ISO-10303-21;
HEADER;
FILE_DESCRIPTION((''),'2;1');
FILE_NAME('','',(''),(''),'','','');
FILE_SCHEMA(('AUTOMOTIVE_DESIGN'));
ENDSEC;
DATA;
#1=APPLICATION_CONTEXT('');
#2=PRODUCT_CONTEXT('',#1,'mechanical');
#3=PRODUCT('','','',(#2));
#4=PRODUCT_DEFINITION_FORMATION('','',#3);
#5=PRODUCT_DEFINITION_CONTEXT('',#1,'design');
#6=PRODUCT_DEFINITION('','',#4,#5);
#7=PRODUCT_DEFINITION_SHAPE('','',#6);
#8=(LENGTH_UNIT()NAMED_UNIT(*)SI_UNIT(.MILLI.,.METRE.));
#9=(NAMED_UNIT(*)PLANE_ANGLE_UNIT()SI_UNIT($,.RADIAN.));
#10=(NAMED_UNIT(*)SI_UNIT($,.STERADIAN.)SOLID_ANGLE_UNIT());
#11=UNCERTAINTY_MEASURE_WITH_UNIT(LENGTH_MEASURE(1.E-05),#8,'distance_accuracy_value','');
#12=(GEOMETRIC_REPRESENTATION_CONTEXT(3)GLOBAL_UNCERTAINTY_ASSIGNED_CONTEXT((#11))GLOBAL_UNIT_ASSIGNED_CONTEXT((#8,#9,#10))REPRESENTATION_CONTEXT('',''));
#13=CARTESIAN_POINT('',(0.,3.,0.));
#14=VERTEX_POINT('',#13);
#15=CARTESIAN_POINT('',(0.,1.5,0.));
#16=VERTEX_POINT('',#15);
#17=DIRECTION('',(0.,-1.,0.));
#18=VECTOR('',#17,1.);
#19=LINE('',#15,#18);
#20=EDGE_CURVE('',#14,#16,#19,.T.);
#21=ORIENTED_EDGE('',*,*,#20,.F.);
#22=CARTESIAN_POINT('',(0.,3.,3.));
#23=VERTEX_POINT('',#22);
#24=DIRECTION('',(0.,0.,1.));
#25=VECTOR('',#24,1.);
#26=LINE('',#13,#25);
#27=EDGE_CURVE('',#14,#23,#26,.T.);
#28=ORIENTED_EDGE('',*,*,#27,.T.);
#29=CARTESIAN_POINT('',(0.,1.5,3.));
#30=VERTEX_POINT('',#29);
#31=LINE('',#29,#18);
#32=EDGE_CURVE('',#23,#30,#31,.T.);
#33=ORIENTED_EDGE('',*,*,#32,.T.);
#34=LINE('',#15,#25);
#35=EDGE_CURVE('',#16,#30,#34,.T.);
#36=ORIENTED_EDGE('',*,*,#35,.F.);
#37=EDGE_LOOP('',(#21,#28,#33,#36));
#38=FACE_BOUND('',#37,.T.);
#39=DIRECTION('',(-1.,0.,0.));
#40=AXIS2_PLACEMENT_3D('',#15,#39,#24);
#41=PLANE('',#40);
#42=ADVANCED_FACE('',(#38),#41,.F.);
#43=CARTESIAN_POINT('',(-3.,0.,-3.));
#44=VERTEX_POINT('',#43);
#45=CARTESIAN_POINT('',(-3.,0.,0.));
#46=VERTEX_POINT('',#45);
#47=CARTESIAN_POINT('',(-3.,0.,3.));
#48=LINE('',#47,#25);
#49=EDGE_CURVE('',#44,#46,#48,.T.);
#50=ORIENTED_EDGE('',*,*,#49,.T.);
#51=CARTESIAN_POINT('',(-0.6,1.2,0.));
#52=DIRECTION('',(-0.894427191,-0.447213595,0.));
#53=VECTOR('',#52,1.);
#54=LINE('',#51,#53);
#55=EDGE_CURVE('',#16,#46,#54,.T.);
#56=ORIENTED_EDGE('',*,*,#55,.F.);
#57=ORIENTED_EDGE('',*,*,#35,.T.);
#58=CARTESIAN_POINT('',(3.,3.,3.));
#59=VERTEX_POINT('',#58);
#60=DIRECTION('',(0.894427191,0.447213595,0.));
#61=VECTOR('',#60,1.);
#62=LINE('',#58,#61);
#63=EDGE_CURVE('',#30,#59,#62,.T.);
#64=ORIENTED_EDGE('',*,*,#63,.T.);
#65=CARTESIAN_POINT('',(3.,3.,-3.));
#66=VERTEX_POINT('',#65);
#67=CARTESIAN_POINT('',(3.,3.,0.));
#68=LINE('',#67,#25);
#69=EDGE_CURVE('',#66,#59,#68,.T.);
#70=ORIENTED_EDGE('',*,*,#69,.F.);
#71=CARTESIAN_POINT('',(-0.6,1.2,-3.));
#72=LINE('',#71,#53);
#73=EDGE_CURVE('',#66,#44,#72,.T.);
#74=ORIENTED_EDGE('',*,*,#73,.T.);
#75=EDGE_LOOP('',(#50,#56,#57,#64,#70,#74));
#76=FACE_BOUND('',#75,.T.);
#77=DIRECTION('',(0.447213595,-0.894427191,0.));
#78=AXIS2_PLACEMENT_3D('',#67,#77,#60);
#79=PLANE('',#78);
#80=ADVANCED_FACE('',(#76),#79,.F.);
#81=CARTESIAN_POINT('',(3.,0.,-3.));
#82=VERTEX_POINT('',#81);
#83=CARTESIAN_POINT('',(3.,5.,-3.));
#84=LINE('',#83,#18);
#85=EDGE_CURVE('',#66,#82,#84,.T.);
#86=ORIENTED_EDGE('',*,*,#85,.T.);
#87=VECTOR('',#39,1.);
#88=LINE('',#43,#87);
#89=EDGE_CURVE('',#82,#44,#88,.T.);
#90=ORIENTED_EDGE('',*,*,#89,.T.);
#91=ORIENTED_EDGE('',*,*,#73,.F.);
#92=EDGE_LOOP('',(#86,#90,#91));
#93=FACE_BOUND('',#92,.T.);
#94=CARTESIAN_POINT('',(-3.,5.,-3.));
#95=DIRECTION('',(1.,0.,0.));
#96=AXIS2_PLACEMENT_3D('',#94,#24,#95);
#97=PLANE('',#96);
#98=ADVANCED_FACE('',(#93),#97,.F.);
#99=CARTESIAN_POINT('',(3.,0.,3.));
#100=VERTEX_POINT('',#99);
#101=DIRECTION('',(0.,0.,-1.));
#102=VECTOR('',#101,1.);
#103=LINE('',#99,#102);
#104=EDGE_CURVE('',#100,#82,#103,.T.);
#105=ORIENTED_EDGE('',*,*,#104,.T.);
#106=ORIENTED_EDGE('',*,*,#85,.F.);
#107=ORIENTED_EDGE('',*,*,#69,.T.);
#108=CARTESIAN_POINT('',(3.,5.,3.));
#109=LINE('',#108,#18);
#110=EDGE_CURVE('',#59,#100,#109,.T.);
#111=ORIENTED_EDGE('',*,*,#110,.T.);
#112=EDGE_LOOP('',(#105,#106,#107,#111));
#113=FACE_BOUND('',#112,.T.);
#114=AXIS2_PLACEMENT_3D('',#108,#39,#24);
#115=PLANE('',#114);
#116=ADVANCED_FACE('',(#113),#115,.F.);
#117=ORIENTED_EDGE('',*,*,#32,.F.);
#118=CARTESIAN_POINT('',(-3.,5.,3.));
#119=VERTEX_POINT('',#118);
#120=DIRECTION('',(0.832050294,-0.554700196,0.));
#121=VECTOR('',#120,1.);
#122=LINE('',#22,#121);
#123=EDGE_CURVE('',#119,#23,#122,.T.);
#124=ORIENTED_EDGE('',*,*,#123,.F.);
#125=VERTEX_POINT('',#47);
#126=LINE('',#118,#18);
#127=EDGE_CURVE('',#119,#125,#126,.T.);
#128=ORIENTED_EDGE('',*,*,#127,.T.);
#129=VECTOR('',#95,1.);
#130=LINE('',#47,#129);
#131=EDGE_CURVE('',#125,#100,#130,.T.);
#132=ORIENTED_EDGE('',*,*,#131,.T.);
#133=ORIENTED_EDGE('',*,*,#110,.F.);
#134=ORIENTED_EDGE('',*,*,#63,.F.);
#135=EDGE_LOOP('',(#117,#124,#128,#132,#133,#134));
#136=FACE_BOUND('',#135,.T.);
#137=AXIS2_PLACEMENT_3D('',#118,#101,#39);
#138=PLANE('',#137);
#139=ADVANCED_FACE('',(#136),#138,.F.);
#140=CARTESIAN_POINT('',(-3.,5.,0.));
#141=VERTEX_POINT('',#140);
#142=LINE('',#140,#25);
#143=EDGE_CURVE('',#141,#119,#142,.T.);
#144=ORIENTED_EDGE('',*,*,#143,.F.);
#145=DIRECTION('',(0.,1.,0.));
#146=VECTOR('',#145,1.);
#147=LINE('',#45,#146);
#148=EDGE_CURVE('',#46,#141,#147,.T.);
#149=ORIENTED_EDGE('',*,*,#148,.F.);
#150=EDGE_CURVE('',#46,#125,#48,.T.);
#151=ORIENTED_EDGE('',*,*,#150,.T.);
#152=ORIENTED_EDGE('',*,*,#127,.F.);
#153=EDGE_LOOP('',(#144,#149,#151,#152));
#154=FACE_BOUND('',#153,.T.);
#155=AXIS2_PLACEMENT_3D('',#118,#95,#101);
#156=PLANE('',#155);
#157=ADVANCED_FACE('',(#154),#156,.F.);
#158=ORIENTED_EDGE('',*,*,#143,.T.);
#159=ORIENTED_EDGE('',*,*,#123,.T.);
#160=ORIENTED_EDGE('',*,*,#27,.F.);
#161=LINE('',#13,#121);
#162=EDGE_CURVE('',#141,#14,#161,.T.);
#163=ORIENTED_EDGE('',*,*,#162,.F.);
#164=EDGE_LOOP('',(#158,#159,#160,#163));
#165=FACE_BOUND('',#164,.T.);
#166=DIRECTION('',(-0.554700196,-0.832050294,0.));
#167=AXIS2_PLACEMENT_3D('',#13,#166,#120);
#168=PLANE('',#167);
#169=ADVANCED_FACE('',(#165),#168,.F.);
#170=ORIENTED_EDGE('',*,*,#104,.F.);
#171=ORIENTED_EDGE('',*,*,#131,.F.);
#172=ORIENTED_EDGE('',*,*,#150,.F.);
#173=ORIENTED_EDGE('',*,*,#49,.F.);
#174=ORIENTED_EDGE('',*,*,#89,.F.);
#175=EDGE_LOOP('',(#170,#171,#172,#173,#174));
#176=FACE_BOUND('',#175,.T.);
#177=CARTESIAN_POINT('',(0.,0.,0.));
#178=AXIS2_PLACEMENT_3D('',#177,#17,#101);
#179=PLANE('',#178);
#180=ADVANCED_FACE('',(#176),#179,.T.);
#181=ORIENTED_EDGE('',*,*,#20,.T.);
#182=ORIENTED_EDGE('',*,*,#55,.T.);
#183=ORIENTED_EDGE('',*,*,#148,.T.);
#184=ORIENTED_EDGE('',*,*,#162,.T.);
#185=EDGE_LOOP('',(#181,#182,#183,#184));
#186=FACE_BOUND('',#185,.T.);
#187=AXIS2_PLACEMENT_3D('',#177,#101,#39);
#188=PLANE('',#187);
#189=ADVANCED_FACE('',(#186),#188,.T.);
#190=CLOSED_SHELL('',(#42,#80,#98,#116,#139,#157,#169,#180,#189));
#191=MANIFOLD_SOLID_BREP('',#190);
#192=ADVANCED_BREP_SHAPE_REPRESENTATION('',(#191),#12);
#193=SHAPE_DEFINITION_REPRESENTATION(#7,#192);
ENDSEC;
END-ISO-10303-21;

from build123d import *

# Parameters (mm, degrees)
SKETCH1_W           = 6
SKETCH1_H           = 6
BOSS_EXTRUDE1_DEPTH = 5
CUT_EXTRUDE5_DEPTH  = 3
CUT_EXTRUDE6_DEPTH  = 3


with BuildPart() as part:
    # Sketch1 → Boss-Extrude1 (new body)
    with BuildSketch(Plane(origin=(0, 0, 0), x_dir=(1, 0, 0), z_dir=(0, 1, 0))):
        Rectangle(SKETCH1_W, SKETCH1_H)
    extrude(amount=BOSS_EXTRUDE1_DEPTH)

    # Sketch8 → Cut-Extrude5 (cut)
    with BuildSketch(Plane.XY.offset(3)):
        Polygon((3, 3), (0, 1.5), (0, 3), (-3, 5), (3, 5), align=None)
    extrude(amount=-CUT_EXTRUDE5_DEPTH, mode=Mode.SUBTRACT)

    # Sketch9 → Cut-Extrude6 (cut)
    with BuildSketch(Plane(origin=(0, 0, -3), x_dir=(-1, 0, 0), z_dir=(0, 0, -1))):
        Polygon((-3, 5), (-3, 3), (0, 1.5), (3, 0), (3, 5), align=None)
    extrude(amount=-CUT_EXTRUDE6_DEPTH, mode=Mode.SUBTRACT)


solid = part.part
